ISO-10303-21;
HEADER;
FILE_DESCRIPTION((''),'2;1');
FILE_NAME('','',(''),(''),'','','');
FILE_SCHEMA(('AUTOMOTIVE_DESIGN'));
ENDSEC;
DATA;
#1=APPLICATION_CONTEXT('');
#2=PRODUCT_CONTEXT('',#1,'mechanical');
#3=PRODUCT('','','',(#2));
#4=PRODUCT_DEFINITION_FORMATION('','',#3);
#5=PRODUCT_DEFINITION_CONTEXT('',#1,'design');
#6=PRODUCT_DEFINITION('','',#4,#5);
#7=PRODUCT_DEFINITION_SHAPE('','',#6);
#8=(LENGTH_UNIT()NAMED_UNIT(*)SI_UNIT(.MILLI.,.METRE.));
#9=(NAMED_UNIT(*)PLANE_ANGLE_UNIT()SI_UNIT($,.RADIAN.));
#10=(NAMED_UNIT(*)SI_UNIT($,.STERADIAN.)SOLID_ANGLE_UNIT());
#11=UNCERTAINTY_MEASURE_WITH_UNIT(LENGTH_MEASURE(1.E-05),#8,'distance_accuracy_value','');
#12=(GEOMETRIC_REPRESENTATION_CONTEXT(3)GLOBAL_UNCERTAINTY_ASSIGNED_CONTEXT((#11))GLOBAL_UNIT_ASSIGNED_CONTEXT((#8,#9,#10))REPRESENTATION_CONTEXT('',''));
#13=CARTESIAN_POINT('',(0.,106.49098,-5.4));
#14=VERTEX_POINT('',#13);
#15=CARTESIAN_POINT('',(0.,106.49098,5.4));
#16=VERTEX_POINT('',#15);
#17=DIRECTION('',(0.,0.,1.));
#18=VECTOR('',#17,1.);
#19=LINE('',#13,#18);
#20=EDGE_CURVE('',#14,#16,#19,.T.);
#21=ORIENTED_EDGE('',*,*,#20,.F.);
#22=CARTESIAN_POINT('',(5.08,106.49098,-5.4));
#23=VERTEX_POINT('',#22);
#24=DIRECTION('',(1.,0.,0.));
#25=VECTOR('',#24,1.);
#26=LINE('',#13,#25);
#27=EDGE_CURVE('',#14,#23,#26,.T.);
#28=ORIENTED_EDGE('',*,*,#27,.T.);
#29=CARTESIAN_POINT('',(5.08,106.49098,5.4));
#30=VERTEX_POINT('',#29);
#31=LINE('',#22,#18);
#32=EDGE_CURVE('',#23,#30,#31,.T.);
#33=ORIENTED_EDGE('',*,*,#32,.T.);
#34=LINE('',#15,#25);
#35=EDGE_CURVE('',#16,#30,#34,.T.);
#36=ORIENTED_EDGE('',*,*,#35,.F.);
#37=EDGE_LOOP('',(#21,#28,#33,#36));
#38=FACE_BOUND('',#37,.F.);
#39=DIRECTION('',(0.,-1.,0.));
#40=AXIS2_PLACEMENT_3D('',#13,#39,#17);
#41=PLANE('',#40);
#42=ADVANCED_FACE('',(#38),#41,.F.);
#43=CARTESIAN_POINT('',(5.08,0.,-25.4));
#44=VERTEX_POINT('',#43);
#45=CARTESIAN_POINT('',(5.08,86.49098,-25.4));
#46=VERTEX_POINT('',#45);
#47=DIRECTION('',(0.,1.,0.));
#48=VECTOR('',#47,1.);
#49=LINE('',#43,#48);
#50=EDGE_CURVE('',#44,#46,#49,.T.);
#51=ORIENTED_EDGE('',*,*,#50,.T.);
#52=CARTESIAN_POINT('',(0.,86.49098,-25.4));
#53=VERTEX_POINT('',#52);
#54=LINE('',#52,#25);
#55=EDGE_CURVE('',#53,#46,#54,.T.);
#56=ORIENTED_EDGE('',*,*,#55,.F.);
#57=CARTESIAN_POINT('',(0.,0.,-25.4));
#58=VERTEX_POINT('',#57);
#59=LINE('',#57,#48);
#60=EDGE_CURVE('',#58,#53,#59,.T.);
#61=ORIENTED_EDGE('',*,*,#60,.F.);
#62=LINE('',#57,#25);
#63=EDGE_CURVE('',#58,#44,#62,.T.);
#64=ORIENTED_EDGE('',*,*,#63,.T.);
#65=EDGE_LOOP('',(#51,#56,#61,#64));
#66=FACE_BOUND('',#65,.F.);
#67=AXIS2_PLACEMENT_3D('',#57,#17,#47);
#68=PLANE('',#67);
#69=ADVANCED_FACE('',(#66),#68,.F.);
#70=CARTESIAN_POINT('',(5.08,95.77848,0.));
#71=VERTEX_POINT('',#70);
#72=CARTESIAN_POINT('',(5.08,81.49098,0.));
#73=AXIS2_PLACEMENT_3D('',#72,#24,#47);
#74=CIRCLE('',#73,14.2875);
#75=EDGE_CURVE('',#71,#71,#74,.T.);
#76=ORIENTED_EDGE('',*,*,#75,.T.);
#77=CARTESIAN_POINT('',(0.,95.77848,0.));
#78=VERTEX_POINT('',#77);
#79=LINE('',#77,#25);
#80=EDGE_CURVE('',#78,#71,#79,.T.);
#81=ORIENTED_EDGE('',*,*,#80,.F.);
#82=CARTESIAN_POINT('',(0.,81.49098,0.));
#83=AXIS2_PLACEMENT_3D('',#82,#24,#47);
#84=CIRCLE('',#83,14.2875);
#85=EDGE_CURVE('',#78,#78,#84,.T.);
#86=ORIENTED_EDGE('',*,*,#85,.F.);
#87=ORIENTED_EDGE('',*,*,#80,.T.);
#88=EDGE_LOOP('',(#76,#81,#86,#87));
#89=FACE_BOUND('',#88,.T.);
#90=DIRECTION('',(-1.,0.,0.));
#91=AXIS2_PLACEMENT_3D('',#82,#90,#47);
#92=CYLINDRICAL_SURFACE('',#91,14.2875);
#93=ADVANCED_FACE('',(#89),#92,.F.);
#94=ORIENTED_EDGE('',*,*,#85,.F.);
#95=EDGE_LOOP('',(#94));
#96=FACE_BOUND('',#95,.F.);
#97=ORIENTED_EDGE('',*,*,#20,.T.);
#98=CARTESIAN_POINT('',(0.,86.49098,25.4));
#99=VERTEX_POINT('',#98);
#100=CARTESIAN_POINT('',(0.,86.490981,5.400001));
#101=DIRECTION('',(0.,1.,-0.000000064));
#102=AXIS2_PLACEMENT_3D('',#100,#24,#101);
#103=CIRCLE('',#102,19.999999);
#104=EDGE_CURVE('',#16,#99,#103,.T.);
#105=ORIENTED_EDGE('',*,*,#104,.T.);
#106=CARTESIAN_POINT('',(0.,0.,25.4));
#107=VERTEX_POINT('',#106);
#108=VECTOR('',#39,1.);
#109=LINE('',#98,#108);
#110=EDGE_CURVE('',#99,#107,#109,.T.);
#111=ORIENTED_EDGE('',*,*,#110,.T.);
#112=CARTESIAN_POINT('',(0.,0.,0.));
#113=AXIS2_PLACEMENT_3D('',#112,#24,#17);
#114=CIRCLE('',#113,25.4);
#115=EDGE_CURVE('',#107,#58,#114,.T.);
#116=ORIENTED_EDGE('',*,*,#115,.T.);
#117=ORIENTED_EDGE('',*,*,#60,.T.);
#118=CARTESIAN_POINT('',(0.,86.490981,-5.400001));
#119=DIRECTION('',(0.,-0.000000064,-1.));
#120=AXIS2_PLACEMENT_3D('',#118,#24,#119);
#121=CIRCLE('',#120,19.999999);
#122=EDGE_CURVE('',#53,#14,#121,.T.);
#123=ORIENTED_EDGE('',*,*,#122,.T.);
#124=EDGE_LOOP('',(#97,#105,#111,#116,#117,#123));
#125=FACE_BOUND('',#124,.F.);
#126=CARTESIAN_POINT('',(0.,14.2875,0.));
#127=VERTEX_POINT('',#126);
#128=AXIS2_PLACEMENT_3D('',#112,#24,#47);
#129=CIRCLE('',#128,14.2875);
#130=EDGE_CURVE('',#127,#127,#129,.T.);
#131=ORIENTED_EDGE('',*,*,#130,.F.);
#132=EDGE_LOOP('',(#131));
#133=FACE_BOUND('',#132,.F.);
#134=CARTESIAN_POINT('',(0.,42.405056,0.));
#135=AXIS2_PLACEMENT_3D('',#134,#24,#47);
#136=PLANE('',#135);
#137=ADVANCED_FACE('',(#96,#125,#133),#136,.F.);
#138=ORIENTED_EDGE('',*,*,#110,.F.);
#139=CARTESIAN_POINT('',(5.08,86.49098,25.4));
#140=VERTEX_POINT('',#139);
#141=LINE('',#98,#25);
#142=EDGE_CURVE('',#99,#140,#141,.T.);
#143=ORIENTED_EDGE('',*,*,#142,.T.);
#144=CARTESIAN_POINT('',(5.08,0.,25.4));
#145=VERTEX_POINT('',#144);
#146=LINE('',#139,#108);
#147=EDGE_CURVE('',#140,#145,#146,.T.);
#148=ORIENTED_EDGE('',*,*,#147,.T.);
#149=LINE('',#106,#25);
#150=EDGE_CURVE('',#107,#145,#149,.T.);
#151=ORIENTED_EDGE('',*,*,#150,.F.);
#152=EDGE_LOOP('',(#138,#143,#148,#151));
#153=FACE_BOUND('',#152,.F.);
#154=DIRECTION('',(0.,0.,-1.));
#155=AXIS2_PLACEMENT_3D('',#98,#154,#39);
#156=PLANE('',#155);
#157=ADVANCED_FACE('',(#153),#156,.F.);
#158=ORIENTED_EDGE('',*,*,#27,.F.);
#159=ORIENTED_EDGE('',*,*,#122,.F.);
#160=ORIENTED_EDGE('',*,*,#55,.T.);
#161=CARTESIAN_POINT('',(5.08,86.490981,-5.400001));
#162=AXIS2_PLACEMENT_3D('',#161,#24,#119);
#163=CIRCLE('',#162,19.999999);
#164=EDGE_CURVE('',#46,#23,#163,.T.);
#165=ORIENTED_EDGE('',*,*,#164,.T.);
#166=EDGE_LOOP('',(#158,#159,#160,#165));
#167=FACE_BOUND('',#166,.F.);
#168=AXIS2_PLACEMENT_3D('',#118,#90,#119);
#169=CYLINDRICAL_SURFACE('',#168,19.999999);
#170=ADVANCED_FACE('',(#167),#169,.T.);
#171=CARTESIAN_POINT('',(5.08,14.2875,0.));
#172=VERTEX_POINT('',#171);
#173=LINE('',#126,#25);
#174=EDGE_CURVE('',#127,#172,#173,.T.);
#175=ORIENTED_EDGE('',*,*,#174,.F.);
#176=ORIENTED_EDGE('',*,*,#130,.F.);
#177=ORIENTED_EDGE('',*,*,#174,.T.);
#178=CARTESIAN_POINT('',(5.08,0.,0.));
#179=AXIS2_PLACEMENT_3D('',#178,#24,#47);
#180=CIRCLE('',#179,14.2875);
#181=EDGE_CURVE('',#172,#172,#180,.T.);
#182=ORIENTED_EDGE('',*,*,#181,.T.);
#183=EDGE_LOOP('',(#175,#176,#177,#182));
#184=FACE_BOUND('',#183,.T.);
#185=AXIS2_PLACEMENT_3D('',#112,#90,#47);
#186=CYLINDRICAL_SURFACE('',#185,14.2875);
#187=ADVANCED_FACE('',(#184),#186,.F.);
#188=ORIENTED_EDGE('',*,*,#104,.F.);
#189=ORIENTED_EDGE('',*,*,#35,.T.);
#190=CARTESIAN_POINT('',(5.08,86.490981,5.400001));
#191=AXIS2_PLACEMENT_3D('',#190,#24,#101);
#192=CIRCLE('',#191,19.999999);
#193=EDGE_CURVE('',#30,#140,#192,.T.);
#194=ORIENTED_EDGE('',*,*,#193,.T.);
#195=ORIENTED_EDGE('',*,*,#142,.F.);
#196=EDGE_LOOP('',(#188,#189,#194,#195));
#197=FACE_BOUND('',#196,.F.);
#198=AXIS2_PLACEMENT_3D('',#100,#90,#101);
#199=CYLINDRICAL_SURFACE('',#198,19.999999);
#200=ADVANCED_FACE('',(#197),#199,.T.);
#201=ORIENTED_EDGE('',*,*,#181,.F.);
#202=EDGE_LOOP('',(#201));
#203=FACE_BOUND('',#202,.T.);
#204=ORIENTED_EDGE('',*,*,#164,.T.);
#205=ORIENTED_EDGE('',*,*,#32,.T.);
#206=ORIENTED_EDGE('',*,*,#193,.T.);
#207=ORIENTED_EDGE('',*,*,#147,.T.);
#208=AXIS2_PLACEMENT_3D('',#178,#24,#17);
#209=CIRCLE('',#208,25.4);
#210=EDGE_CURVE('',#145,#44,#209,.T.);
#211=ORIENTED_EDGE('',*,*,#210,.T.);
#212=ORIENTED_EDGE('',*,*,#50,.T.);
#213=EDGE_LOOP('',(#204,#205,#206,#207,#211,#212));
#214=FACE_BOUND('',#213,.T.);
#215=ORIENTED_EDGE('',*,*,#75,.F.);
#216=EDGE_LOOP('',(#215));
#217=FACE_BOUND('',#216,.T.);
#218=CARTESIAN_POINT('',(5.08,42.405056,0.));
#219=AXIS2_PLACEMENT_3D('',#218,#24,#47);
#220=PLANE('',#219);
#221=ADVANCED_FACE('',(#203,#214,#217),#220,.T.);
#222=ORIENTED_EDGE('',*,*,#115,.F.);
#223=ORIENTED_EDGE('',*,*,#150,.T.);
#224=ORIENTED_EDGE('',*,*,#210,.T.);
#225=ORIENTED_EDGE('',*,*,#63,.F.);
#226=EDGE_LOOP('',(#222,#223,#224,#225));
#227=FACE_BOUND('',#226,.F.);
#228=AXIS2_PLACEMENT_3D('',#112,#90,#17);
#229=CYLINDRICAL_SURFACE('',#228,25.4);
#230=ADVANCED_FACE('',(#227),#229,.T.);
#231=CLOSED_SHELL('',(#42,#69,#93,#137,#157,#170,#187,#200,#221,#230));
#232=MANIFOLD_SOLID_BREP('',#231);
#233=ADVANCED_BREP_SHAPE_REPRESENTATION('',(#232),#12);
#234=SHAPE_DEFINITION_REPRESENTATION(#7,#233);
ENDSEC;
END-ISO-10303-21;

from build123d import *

# Parameters (mm, degrees)
F0_R     = 14.2875
F1_DEPTH = 5.08


with BuildPart() as f1:
    # F0 (on Right) → F1 (new body)
    with BuildSketch(Plane.YZ):
        with BuildLine():
            Line((86.49098, 25.4), (0, 25.4))
            ThreePointArc((0, 25.4), (-25.4, 0), (0, -25.4))
            Line((0, -25.4), (86.49098, -25.4))
            ThreePointArc((86.49098, -25.4), (100.633116, -19.542136), (106.49098, -5.4))
            Line((106.49098, -5.4), (106.49098, 5.4))
            ThreePointArc((106.49098, 5.4), (100.633116, 19.542136), (86.49098, 25.4))
        make_face()
        Circle(F0_R, mode=Mode.SUBTRACT)
        with Locations((81.49098, 0)):
            Circle(F0_R, mode=Mode.SUBTRACT)
    extrude(amount=F1_DEPTH)


solid = f1.part
